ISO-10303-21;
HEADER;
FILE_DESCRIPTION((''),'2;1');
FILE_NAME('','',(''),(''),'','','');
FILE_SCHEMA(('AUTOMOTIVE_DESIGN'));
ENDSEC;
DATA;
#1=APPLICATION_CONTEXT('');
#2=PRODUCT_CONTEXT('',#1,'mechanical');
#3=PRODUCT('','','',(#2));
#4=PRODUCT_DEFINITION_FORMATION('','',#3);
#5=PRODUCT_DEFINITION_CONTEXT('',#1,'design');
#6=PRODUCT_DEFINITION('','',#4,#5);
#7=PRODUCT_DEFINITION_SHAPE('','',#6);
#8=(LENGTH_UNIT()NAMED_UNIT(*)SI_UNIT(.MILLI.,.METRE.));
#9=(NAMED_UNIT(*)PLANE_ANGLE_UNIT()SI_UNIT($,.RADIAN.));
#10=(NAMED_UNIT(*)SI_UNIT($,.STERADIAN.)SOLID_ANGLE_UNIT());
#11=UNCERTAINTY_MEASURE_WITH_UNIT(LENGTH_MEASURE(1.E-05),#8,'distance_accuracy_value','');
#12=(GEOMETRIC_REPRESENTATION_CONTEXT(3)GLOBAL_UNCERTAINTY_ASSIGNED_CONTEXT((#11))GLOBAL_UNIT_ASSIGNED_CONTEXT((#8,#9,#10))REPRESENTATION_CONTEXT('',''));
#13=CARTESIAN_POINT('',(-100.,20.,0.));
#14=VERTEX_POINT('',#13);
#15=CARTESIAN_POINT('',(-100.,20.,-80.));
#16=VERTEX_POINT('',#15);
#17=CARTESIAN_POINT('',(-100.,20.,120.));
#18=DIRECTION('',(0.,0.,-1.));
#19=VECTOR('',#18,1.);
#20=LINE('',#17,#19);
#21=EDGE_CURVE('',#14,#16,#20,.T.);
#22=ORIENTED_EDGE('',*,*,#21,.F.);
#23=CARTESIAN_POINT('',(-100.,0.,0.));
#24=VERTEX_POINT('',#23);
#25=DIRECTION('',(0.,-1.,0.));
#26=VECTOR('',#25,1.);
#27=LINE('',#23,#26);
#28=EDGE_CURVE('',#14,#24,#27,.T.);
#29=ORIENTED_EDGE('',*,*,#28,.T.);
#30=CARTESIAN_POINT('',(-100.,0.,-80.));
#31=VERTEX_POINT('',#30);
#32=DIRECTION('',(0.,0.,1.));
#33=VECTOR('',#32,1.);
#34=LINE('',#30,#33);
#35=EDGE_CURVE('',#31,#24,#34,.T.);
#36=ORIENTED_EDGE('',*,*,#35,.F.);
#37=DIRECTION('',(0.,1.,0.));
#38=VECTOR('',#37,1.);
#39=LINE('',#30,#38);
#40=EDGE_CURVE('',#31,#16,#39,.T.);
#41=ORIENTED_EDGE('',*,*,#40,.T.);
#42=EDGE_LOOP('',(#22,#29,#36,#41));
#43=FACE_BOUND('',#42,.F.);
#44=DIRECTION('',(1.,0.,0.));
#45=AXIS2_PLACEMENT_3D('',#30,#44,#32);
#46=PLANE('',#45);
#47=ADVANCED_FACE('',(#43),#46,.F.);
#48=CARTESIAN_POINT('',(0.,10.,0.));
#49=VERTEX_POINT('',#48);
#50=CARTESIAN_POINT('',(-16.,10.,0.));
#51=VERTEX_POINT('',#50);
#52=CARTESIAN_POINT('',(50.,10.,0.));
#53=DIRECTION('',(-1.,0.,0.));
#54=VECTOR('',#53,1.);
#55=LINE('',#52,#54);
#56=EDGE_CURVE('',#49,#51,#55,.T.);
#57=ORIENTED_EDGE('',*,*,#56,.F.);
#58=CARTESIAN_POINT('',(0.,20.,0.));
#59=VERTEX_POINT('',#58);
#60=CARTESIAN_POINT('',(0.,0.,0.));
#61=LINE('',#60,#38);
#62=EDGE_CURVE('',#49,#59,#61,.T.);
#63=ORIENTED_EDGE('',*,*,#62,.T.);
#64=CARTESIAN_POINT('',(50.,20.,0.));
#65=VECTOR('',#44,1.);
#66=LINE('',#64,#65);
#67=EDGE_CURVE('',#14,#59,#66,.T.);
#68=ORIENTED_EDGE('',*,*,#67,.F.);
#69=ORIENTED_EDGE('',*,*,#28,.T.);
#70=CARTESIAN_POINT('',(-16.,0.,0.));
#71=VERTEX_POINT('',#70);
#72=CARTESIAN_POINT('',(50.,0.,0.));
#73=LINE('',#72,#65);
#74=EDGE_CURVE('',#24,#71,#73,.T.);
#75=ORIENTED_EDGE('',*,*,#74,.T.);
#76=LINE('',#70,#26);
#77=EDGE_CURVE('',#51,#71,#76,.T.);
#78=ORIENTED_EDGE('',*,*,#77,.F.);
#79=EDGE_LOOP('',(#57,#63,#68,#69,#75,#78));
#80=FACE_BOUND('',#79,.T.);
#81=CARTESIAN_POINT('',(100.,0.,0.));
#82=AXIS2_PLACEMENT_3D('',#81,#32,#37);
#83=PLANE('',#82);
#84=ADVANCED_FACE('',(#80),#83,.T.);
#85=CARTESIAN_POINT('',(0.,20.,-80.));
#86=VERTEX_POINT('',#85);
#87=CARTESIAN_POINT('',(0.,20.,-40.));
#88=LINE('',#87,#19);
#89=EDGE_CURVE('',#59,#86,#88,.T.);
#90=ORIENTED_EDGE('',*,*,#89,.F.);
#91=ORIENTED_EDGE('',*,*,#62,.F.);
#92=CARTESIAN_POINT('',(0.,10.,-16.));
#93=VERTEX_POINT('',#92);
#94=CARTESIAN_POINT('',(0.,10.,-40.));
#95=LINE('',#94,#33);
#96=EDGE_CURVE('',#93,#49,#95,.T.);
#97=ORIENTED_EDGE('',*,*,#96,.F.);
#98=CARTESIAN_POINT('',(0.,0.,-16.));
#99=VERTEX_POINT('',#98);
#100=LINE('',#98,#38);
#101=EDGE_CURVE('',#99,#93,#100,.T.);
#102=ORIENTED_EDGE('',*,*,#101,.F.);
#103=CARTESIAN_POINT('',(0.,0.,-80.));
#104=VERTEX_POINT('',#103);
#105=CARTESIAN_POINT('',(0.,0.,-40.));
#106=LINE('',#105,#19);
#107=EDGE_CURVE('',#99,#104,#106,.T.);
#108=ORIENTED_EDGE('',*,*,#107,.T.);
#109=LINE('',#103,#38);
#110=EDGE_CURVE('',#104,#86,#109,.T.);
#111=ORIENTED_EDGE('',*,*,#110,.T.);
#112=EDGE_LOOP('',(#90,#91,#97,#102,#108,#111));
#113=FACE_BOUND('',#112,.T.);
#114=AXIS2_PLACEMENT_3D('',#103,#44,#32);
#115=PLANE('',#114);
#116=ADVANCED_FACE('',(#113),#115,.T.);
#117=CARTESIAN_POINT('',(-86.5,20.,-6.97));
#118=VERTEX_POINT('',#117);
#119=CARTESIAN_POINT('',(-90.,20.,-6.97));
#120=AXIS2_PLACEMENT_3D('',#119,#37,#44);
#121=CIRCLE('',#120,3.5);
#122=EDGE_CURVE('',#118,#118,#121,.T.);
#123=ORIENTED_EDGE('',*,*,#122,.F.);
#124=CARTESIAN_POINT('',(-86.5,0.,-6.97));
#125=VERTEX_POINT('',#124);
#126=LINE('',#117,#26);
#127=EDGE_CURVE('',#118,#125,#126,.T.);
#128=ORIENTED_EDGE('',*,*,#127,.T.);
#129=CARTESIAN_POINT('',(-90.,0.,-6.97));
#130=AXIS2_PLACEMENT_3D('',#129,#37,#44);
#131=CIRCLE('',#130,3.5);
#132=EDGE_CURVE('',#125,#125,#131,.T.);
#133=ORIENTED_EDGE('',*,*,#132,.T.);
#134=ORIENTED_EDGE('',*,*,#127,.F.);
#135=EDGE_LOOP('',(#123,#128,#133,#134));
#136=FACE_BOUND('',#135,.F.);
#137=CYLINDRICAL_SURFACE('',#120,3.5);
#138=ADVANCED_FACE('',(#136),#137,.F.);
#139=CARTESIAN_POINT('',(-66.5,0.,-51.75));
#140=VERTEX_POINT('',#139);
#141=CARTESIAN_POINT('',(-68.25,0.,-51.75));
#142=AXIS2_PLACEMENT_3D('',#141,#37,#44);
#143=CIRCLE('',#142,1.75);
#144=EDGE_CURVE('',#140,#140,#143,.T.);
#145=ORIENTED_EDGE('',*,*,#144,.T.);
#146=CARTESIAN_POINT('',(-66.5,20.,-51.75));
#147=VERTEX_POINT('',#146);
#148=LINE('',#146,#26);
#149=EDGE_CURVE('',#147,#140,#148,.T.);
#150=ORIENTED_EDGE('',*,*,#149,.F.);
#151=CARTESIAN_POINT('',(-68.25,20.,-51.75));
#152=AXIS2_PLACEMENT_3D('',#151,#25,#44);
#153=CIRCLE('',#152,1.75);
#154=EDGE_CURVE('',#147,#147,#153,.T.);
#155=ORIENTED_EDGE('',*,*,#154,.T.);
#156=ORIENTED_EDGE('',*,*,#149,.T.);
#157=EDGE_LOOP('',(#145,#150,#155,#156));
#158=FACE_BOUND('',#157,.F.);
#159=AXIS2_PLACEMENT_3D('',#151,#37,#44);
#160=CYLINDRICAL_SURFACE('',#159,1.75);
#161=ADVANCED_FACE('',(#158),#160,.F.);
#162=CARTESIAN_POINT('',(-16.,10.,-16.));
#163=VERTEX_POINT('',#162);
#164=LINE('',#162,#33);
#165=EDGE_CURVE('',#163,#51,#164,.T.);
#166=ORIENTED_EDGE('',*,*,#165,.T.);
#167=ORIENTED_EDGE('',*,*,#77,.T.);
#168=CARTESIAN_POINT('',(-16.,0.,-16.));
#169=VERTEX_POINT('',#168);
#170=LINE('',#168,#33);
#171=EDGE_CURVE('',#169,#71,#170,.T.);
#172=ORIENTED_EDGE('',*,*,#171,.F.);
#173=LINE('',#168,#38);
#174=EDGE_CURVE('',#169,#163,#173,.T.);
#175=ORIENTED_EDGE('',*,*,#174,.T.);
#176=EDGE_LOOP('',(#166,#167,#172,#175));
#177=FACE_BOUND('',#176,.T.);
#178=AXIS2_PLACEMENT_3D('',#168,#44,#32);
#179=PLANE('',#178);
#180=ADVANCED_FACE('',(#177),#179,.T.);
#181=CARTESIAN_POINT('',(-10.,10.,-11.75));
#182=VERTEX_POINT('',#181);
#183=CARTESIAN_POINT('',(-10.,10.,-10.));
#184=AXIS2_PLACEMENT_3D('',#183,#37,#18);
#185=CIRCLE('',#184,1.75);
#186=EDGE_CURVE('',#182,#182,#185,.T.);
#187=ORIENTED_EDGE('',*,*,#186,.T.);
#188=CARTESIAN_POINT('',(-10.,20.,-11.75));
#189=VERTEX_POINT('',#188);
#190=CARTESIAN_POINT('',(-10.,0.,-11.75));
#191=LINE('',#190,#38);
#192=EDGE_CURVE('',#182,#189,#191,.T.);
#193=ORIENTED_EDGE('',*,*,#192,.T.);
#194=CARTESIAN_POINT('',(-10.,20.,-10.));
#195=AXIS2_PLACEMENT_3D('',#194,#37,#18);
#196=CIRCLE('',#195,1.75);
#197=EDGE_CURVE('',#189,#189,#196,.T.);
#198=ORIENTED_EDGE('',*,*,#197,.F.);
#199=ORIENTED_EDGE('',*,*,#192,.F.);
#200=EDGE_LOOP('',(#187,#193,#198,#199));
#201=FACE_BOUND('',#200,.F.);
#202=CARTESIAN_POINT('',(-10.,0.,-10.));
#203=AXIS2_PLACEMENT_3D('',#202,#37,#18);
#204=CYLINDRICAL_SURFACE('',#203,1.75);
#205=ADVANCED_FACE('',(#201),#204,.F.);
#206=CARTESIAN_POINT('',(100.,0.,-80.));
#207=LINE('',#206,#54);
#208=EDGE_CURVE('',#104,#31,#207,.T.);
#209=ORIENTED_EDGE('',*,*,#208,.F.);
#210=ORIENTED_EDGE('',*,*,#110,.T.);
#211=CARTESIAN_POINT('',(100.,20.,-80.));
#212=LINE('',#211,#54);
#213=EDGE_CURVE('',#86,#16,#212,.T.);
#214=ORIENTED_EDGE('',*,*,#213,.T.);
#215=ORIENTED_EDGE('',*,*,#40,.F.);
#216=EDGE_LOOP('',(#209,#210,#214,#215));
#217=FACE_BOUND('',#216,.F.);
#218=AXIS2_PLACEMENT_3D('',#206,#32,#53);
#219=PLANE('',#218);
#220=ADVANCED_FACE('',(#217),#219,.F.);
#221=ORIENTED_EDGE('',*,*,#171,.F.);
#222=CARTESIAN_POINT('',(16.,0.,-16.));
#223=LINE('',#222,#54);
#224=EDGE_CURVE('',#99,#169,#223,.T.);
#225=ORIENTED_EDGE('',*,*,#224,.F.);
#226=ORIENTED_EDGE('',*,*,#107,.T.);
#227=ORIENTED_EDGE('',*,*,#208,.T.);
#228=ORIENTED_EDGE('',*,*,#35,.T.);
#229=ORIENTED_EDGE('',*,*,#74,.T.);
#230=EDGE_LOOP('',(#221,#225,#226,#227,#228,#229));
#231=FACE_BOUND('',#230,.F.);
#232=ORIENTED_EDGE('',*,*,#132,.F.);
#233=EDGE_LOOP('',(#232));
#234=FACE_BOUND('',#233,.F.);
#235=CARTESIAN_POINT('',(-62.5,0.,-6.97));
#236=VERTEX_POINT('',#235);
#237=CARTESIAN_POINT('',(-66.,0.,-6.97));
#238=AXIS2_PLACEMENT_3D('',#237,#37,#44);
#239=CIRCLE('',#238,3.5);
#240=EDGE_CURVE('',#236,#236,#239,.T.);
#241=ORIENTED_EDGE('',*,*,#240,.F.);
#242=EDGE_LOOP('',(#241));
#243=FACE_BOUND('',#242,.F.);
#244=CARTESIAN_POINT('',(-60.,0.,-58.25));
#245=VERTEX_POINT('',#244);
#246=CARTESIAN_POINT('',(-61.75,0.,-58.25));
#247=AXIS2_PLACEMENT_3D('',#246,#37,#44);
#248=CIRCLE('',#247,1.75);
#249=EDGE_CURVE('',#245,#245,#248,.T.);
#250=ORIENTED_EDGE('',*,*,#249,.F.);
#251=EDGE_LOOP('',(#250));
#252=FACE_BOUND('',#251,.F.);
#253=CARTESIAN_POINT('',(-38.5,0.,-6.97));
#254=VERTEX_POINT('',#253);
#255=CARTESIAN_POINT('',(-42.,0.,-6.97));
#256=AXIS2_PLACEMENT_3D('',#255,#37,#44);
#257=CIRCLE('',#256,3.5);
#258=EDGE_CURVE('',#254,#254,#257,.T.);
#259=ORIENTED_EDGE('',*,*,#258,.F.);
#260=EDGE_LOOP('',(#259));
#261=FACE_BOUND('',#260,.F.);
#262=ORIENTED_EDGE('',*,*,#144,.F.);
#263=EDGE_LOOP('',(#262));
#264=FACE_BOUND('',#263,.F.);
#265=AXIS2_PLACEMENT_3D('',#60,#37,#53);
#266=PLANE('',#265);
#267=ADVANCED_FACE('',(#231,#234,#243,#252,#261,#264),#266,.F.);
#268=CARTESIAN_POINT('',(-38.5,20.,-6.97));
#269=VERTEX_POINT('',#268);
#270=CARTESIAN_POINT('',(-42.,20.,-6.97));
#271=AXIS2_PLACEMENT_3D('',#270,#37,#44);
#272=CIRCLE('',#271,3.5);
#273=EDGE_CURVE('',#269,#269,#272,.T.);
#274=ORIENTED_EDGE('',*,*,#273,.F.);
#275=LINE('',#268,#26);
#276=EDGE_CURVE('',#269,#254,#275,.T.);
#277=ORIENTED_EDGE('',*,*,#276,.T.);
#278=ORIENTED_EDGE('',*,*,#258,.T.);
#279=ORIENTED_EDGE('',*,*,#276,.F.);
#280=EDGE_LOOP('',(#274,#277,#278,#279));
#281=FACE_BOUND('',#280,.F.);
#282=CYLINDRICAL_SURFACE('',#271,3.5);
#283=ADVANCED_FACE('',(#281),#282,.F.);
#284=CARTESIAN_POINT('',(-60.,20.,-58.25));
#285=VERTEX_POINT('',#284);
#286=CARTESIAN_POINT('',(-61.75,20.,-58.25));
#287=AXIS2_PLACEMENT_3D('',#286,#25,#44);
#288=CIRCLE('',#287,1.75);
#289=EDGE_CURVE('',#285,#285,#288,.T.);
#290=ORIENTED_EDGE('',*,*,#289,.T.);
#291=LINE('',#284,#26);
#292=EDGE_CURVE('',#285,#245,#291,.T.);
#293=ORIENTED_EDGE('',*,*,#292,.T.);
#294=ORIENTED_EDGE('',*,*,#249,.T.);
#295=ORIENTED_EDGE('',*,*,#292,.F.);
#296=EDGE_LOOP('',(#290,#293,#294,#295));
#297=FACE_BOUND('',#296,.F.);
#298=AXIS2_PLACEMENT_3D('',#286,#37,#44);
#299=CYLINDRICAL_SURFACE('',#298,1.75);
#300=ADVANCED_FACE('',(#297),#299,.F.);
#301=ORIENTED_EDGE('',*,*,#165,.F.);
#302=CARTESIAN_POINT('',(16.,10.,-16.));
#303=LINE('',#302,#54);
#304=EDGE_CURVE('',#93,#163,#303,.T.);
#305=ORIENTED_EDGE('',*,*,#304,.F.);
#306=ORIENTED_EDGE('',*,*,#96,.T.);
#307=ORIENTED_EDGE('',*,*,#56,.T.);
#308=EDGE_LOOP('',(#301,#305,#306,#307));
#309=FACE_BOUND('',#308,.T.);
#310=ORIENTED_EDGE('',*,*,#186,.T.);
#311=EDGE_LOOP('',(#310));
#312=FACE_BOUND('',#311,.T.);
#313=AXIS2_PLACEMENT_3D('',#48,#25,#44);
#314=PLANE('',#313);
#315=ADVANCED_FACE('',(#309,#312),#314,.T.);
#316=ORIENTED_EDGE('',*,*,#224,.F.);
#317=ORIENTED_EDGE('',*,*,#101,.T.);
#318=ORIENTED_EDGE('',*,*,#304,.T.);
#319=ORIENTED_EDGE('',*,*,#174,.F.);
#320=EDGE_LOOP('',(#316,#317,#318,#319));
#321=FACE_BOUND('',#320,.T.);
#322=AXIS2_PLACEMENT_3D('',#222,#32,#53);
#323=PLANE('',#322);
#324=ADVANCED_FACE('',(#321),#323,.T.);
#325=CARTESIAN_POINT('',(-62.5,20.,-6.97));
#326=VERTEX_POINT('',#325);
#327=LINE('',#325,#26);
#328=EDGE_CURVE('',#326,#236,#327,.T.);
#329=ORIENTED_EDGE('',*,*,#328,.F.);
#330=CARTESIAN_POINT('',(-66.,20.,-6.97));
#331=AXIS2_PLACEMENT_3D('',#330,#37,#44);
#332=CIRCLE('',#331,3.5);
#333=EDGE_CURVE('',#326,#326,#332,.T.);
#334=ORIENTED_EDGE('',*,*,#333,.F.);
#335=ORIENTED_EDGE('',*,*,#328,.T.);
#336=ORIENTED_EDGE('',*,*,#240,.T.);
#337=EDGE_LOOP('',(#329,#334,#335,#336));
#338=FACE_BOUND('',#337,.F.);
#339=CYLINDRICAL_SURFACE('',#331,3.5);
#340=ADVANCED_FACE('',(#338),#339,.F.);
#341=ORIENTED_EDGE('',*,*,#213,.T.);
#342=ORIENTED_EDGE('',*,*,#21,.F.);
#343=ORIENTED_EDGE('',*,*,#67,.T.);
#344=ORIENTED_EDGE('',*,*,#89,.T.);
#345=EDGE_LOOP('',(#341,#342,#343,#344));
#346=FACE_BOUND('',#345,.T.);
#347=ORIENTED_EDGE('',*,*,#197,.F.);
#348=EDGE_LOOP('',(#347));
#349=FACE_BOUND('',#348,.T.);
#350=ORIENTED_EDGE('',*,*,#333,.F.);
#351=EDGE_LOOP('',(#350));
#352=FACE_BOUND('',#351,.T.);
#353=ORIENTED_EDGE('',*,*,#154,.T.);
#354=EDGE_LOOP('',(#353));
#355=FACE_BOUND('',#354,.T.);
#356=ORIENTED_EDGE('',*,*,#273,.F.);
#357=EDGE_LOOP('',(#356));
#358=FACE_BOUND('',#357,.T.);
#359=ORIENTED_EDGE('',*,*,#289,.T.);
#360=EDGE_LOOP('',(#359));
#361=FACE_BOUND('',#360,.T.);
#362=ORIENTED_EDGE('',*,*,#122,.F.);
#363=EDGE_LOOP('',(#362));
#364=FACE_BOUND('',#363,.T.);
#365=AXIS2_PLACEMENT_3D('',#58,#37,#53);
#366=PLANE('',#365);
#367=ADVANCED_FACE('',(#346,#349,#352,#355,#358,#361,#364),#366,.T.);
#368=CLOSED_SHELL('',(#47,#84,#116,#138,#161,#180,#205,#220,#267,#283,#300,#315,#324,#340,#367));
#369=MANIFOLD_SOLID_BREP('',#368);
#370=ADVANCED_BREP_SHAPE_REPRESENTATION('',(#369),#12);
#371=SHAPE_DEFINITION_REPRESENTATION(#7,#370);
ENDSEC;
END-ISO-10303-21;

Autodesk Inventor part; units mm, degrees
ref_plane "YZ Plane" through (0, 0, 0) normal (1, 0, 0) x (0, 1, 0)
ref_plane "XZ Plane" through (0, 0, 0) normal (0, 1, 0) x (-1, 0, 0)
ref_plane "XY Plane" through (0, 0, 0) normal (0, 0, 1) x (1, 0, 0)
sketch "Boceto1" plane through (0, 0, 0) normal (0, 1, 0) x (-1, 0, 0)
  line L0 (100, 80) -> (-100, 80)
  line L1 (-100, 80) -> (-100, -80)
  line L2 (-100, -80) -> (100, -80)
  line L3 (100, -80) -> (100, 80)
  line L4 (100, 80) -> (-100, -80) construction
  line L5 (-100, 80) -> (100, -80) construction
  point P0 (0, 0)
  dimension "d0" = 200
  dimension "d1" = 160
extrude "Extrusión1" add sketch "Boceto1" along normal blind 20
sketch "Boceto2" plane through (0, 20, 0) normal (0, 1, 0) x (1, 0, 0)
  circle A0 centre (-90, -57.83) radius 3.5
  line L0 (-100, -65.43) -> (-32, -65.43)
  line L1 (-32, -65.43) -> (-32, 14.57)
  line L2 (-32, 14.57) -> (-100, 14.57)
  line L3 (-100, 14.57) -> (-100, -65.43)
  line L4 (-66, -65.43) -> (-66, -8.508)
  circle A1 centre (-66, -57.83) radius 3.5
  circle A2 centre (-42, -57.83) radius 3.5
  line L5 (-32, -25.43) -> (-48.2072, -25.43)
  circle A3 centre (-42, 6.97) radius 3.5
  circle A4 centre (-66, 6.97) radius 3.5
  circle A5 centre (-90, 6.97) radius 3.5
  circle A6 centre (-60, 55) radius 5
  line L6 (-100, 80) -> (-100, -80) projected
  line L7 (0, 0) -> (0, -20.5185)
  circle A7 centre (90, -57.83) radius 3.5
  circle A8 centre (66, -57.83) radius 3.5
  circle A9 centre (42, -57.83) radius 3.5
  line L8 (100, -65.43) -> (32, -65.43)
  line L9 (66, -65.43) -> (66, -8.508)
  line L10 (32, -25.43) -> (48.2072, -25.43)
  circle A10 centre (90, 6.97) radius 3.5
  line L11 (100, 14.57) -> (100, -65.43)
  circle A11 centre (66, 6.97) radius 3.5
  line L12 (32, 14.57) -> (100, 14.57)
  line L13 (32, -65.43) -> (32, 14.57)
  circle A12 centre (42, 6.97) radius 3.5
  circle A13 centre (60, 55) radius 5
  line L14 (100, 80) -> (100, -80)
  dimension "d4" = 7
  dimension "d5" = 68
  dimension "d6" = 80
  dimension "d7" = 7.6
  dimension "d8" = 10
  dimension "d9" = 7
  dimension "d10" = 24
  dimension "d11" = 10
  dimension "d16" = 0
  dimension "d19" = 40
extrude "Extrusión2" cut sketch "Boceto2" against normal blind 20 contours A0 | A1 L4 | L4 A1 | A2 | A3 | A4 | A5 | A7 | A8 L9 | L9 A8 | A9 | A10 | A11 | A12
sketch "Boceto3" plane through (-100, 0, 80) normal (0, 0, 1) x (1, 0, 0)
  line L0 (0, 20) -> (30, 20)
  line L1 (30, 20) -> (30, 10)
  line L2 (30, 10) -> (0, 10)
  line L3 (0, 10) -> (0, 20)
  line L4 (100, 0) -> (100, 11.6249)
  line L5 (200, 20) -> (170, 20)
  line L6 (170, 20) -> (170, 10)
  line L7 (170, 10) -> (200, 10)
  line L8 (200, 10) -> (200, 20)
  dimension "d22" = 30
  dimension "d23" = 10
extrude "Extrusión3" add sketch "Boceto3" along normal blind 40
sketch "Boceto4" plane through (0, 20, 0) normal (0, 1, 0) x (1, 0, 0)
  line L0 (-60, 60) -> (-60, 50)
  line L1 (-70, 50) -> (-70, 60)
  line L2 (-60, 50) -> (-70, 60) construction
  line L3 (-70, 50) -> (-60, 60) construction
  line L4 (-60, 50) -> (-70, 50)
  circle A0 centre (-68.25, 51.75) radius 1.75
  line L5 (-70, 60) -> (-60, 60)
  circle A1 centre (-61.75, 58.25) radius 1.75
  line L6 (100, 80) -> (-100, 80) projected
  line L7 (0, 80) -> (0, 60)
  line L8 (60, 60) -> (60, 50)
  circle A2 centre (61.75, 58.25) radius 1.75
  line L9 (70, 60) -> (60, 60)
  line L10 (70, 50) -> (70, 60)
  line L11 (60, 50) -> (70, 60) construction
  line L12 (70, 50) -> (60, 60) construction
  line L13 (60, 50) -> (70, 50)
  circle A3 centre (68.25, 51.75) radius 1.75
  line L14 (-100, 80) -> (-100, -120) projected
  line L15 (100, 80) -> (100, -120) projected
  point P0 (0, 0)
  point P1 (-70.0286, 64.971)
  point P2 (-65, 50)
  point P3 (70.0286, 64.971)
  point P4 (65, 50)
  dimension "d26" = 1.75
  dimension "d27" = 8.25
  dimension "d28" = 20
  dimension "d29" = 10
  dimension "d30" = 10
  dimension "d31" = 1.75
  dimension "d32" = 1.75
  dimension "d33" = 1.75
  dimension "d58" = 30
  dimension "d59" = 30
extrude "Extrusión4" cut sketch "Boceto4" against normal blind 40 contours A1 | A0 | A2 | A3
sketch "Boceto5" plane through (0, 20, 0) normal (0, 1, 0) x (1, 0, 0)
  line L0 (-100, -80) -> (-100, -120)
  line L1 (-70.0001, -120) -> (-70.0001, -80)
  line L2 (-55.1959, -79.9497) -> (-70.0001, -80)
  line L3 (-70.0001, -80) -> (-100, -80)
  line L4 (-100, -120) -> (-70.0001, -120)
  line L5 (-64.3507, -80) -> (-74.3507, -80)
  circle A0 centre (-81.75, -108.25) radius 1.75
  circle A1 centre (-88.25, -101.75) radius 1.75
  line L6 (-70.0001, -80) -> (70.0001, -80)
  line L7 (0, -80) -> (0, -101.75)
  circle A2 centre (81.75, -108.25) radius 1.75
  circle A3 centre (88.25, -101.75) radius 1.75
  line L8 (-70, -80) -> (70, -80) projected
  line L9 (-100, 80) -> (-100, -120) projected
  point P0 (0, 0)
  point P1 (-81.75, -101.75)
  point P2 (-63.4459, -118.25)
  point P3 (81.75, -101.75)
  dimension "d36" = 11.7499
  dimension "d37" = 40
  dimension "d38" = 29.9999
  dimension "d39" = 21.75
  dimension "d40" = 11.75
  dimension "d41" = 28.3003
  dimension "d42" = 11.7499
  dimension "d43" = 0
  dimension "d44" = 0
hole "Agujero1" at (-88.25, 20, 101.75) at (-81.75, 20, 108.25) at (81.75, 20, 108.25) at (88.25, 20, 101.75) direction (0, -1, 0) diameter 3.5 end through all
ref_plane "Plano de trabajo1" through (100, 0, 0) normal (0, 0, -1) x (-1, 0, 0)
ref_plane "Plano de trabajo2" through (0, 0, -80) normal (-1, 0, 0) x (0, 0, 1)
sketch "Boceto6" plane through (0, 0, 0) normal (0, -1, 0) x (1, 0, 0)
  circle A0 centre (10, -10) radius 1.75
  line L0 (6.803, 0) -> (14.6069, 0)
  line L1 (0, 0) -> (0, -4.8284)
  line L2 (0, 0) -> (20.0354, 0)
  circle A1 centre (10, 10) radius 1.75
  line L3 (0, 0) -> (0, 4.8284)
  circle A2 centre (-10, 10) radius 1.75
  circle A3 centre (-10, -10) radius 1.75
  dimension "d63" = 3.5
  dimension "d64" = 10
  dimension "d65" = 10
hole "Agujero2" at (10, 0, 10) at (-10, 0, 10) at (-10, 0, -10) at (10, 0, -10) direction (0, 1, 0) diameter 3.5 end through all
sketch "Boceto7" plane through (0, 0, 0) normal (0, -1, 0) x (1, 0, 0)
  line L0 (-16, 16) -> (16, 16)
  line L1 (16, 16) -> (16, -16)
  line L2 (16, -16) -> (-16, -16)
  line L3 (-16, -16) -> (-16, 16)
  line L4 (-16, 16) -> (16, -16) construction
  line L5 (16, 16) -> (-16, -16) construction
  point P0 (0, 0)
  point P1 (0, 0)
  point P2 (0, 0)
  dimension "d73" = 32
  dimension "d74" = 32
extrude "Extrusión5" cut sketch "Boceto7" against normal blind 10
sketch "Boceto8" plane through (0, 20, 0) normal (0, 1, 0) x (1, 0, 0)
  line L0 (-15, -60) -> (15, -60)
  circle A0 centre (10, -65) radius 1.75
  line L1 (-10, -65) -> (10, -65)
  line L2 (15, -60) -> (15, -70)
  circle A1 centre (-10, -65) radius 1.75
  line L3 (-15, -70) -> (15, -60) construction
  line L4 (-15, -60) -> (15, -70) construction
  line L5 (-15, -70) -> (-15, -60)
  line L6 (15, -70) -> (-15, -70)
  point P0 (0, 0)
  point P1 (0, -69.1269)
  point P2 (-15, -67.1661)
  point P3 (0, -69.1269)
  point P4 (15, -65)
  dimension "d77" = 10
  dimension "d78" = 30
  dimension "d79" = 5
  dimension "d80" = 5
  dimension "d81" = 5
  dimension "d82" = 5
hole "Agujero3" at (-10, 20, 65) at (10, 20, 65) direction (0, -1, 0) diameter 3.5 end through all
split "Dividir1" plane through (100, 0, 0) removes the side toward (0, 0, 1)
split "Dividir2" plane through (0, 0, -80) removes the side toward (1, 0, 0)
properties part number "base_back_1"
